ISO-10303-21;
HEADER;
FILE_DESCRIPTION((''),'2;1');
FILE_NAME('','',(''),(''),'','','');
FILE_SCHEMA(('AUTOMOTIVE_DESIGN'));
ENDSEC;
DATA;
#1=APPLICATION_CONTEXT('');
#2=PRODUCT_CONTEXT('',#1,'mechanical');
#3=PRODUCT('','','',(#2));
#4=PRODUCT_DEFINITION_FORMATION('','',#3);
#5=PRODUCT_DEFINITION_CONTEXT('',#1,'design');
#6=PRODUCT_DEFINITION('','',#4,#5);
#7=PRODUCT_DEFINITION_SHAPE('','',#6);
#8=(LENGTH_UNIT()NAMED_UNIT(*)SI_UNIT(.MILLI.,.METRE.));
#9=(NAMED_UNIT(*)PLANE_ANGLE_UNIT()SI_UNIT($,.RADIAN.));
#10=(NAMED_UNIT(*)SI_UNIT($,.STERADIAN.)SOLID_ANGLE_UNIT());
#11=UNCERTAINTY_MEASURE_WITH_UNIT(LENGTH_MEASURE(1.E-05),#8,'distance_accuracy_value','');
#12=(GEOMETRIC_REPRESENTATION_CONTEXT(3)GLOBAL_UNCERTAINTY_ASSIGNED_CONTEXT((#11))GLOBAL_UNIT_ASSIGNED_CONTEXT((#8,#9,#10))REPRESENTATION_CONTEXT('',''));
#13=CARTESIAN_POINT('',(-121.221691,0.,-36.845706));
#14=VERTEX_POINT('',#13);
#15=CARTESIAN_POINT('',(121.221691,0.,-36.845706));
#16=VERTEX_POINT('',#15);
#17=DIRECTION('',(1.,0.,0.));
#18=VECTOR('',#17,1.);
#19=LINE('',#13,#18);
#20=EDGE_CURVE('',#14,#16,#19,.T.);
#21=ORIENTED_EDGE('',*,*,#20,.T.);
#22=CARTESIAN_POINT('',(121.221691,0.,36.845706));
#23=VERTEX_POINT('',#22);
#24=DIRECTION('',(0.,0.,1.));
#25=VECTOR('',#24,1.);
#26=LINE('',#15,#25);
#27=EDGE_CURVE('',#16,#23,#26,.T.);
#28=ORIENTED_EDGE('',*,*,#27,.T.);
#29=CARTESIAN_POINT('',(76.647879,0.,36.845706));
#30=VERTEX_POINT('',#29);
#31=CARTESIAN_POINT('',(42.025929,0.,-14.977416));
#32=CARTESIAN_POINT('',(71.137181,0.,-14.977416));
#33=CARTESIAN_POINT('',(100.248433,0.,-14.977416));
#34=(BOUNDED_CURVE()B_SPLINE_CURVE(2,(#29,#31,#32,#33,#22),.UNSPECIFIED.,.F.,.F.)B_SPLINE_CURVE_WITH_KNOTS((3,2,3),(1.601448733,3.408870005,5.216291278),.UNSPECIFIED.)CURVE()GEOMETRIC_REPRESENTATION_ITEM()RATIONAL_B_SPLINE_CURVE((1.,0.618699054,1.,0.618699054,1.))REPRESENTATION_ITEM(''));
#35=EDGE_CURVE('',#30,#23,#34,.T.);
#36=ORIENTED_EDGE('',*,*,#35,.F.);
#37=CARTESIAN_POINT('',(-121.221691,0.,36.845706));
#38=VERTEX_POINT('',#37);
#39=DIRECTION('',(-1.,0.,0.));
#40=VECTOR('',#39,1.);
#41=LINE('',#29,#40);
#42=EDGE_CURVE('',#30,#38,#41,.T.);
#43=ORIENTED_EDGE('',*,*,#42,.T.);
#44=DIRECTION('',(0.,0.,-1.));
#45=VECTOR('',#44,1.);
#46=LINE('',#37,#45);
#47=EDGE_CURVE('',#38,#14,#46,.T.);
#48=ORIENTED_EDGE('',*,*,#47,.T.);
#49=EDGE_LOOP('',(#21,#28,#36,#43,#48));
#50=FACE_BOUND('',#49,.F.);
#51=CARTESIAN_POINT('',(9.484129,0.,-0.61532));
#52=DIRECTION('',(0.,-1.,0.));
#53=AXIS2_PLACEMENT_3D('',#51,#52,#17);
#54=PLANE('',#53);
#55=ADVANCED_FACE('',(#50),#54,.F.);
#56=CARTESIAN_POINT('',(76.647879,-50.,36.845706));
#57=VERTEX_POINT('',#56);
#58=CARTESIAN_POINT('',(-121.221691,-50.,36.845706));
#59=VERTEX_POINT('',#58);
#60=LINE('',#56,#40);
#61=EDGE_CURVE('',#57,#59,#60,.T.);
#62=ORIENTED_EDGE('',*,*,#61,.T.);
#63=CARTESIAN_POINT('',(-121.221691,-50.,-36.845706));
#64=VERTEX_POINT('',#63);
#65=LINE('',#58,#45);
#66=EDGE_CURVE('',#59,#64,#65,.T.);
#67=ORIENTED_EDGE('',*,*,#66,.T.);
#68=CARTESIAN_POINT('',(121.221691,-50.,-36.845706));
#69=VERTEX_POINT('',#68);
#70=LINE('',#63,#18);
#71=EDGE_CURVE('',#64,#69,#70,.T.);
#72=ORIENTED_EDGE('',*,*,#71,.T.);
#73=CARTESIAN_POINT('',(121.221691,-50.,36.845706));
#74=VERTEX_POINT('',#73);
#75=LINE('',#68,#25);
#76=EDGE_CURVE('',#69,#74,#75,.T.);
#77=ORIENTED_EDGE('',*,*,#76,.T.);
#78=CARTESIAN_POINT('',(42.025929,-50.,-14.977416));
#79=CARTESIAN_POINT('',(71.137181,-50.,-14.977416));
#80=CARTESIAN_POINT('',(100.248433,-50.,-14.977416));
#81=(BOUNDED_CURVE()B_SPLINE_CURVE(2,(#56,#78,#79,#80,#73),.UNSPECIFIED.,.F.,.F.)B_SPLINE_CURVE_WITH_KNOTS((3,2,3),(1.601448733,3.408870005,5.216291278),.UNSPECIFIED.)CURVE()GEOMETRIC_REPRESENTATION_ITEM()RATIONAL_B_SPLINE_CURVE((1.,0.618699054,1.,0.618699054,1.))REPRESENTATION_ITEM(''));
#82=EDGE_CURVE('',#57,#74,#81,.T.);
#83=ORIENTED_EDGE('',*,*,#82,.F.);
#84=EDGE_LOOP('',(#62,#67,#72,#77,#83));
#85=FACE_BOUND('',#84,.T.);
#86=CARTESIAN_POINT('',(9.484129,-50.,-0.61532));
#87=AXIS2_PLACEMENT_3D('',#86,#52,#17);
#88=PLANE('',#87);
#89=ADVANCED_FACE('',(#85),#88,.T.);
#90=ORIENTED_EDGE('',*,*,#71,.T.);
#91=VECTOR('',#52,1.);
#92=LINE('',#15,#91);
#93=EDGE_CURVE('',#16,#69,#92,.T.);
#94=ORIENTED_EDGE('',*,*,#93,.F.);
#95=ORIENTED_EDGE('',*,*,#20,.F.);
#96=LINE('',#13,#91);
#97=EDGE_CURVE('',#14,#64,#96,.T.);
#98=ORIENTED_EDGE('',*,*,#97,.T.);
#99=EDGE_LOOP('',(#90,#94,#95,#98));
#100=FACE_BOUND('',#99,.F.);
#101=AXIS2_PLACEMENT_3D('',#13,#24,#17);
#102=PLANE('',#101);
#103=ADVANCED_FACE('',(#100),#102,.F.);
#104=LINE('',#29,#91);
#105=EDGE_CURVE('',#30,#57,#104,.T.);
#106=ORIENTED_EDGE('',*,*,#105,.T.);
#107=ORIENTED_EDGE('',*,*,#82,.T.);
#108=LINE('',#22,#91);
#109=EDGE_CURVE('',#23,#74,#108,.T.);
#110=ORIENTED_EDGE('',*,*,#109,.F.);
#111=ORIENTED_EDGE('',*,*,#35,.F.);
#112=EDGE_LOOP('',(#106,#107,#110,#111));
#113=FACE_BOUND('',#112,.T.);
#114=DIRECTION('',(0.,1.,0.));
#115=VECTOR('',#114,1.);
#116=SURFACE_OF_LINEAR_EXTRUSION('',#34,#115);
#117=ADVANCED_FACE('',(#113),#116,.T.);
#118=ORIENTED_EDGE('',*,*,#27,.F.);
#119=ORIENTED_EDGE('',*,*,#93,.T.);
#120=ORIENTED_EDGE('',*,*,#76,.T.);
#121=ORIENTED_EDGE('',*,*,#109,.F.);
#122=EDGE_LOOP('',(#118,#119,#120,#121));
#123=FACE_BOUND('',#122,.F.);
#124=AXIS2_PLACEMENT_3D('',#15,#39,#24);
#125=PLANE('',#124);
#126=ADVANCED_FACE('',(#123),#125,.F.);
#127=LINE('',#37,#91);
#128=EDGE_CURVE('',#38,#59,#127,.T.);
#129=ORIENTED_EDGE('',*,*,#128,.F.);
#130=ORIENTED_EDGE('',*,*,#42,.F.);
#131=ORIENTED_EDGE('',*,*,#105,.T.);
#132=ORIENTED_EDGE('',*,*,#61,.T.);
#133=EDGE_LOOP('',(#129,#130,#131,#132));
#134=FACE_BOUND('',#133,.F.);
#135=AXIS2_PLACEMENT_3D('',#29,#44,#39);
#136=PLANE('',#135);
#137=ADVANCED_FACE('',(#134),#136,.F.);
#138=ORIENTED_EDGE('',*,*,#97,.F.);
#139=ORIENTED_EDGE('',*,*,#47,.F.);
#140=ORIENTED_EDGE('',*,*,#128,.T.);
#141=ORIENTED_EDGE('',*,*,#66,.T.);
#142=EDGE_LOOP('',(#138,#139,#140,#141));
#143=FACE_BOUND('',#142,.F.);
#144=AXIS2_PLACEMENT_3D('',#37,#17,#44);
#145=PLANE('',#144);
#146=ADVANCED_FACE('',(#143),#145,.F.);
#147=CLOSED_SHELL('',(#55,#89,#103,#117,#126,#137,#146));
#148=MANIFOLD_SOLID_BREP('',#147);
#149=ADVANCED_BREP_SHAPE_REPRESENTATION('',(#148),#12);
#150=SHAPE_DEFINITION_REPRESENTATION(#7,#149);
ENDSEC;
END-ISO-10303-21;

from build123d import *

# Parameters (mm, degrees)
F1_DEPTH = 50


with BuildPart() as f1:
    # F0 (on Front) → F1 (new body)
    with BuildSketch(Plane.XZ):
        with BuildLine():
            Line((121.22169137, -36.8457064033), (121.22169137, 36.8457064033))
            add(Edge.make_bspline(
                [(76.6478792628, 36.8457064033), (42.0259292391, -14.9774156596), (71.1371811475, -14.9774156596), (100.2484330558, -14.9774156596), (121.22169137, 36.8457064033)],
                knots=[1.6014487326, 1.6014487326, 1.6014487326, 3.4088700052, 3.4088700052, 5.2162912777, 5.2162912777, 5.2162912777], degree=2, weights=[1, 0.6186990543, 1, 0.6186990543, 1]))
            Line((76.6478792628, 36.8457064033), (-121.22169137, 36.8457064033))
            Line((-121.22169137, 36.8457064033), (-121.22169137, -36.8457064033))
            Line((-121.22169137, -36.8457064033), (121.22169137, -36.8457064033))
        make_face()
    extrude(amount=F1_DEPTH)


solid = f1.part
